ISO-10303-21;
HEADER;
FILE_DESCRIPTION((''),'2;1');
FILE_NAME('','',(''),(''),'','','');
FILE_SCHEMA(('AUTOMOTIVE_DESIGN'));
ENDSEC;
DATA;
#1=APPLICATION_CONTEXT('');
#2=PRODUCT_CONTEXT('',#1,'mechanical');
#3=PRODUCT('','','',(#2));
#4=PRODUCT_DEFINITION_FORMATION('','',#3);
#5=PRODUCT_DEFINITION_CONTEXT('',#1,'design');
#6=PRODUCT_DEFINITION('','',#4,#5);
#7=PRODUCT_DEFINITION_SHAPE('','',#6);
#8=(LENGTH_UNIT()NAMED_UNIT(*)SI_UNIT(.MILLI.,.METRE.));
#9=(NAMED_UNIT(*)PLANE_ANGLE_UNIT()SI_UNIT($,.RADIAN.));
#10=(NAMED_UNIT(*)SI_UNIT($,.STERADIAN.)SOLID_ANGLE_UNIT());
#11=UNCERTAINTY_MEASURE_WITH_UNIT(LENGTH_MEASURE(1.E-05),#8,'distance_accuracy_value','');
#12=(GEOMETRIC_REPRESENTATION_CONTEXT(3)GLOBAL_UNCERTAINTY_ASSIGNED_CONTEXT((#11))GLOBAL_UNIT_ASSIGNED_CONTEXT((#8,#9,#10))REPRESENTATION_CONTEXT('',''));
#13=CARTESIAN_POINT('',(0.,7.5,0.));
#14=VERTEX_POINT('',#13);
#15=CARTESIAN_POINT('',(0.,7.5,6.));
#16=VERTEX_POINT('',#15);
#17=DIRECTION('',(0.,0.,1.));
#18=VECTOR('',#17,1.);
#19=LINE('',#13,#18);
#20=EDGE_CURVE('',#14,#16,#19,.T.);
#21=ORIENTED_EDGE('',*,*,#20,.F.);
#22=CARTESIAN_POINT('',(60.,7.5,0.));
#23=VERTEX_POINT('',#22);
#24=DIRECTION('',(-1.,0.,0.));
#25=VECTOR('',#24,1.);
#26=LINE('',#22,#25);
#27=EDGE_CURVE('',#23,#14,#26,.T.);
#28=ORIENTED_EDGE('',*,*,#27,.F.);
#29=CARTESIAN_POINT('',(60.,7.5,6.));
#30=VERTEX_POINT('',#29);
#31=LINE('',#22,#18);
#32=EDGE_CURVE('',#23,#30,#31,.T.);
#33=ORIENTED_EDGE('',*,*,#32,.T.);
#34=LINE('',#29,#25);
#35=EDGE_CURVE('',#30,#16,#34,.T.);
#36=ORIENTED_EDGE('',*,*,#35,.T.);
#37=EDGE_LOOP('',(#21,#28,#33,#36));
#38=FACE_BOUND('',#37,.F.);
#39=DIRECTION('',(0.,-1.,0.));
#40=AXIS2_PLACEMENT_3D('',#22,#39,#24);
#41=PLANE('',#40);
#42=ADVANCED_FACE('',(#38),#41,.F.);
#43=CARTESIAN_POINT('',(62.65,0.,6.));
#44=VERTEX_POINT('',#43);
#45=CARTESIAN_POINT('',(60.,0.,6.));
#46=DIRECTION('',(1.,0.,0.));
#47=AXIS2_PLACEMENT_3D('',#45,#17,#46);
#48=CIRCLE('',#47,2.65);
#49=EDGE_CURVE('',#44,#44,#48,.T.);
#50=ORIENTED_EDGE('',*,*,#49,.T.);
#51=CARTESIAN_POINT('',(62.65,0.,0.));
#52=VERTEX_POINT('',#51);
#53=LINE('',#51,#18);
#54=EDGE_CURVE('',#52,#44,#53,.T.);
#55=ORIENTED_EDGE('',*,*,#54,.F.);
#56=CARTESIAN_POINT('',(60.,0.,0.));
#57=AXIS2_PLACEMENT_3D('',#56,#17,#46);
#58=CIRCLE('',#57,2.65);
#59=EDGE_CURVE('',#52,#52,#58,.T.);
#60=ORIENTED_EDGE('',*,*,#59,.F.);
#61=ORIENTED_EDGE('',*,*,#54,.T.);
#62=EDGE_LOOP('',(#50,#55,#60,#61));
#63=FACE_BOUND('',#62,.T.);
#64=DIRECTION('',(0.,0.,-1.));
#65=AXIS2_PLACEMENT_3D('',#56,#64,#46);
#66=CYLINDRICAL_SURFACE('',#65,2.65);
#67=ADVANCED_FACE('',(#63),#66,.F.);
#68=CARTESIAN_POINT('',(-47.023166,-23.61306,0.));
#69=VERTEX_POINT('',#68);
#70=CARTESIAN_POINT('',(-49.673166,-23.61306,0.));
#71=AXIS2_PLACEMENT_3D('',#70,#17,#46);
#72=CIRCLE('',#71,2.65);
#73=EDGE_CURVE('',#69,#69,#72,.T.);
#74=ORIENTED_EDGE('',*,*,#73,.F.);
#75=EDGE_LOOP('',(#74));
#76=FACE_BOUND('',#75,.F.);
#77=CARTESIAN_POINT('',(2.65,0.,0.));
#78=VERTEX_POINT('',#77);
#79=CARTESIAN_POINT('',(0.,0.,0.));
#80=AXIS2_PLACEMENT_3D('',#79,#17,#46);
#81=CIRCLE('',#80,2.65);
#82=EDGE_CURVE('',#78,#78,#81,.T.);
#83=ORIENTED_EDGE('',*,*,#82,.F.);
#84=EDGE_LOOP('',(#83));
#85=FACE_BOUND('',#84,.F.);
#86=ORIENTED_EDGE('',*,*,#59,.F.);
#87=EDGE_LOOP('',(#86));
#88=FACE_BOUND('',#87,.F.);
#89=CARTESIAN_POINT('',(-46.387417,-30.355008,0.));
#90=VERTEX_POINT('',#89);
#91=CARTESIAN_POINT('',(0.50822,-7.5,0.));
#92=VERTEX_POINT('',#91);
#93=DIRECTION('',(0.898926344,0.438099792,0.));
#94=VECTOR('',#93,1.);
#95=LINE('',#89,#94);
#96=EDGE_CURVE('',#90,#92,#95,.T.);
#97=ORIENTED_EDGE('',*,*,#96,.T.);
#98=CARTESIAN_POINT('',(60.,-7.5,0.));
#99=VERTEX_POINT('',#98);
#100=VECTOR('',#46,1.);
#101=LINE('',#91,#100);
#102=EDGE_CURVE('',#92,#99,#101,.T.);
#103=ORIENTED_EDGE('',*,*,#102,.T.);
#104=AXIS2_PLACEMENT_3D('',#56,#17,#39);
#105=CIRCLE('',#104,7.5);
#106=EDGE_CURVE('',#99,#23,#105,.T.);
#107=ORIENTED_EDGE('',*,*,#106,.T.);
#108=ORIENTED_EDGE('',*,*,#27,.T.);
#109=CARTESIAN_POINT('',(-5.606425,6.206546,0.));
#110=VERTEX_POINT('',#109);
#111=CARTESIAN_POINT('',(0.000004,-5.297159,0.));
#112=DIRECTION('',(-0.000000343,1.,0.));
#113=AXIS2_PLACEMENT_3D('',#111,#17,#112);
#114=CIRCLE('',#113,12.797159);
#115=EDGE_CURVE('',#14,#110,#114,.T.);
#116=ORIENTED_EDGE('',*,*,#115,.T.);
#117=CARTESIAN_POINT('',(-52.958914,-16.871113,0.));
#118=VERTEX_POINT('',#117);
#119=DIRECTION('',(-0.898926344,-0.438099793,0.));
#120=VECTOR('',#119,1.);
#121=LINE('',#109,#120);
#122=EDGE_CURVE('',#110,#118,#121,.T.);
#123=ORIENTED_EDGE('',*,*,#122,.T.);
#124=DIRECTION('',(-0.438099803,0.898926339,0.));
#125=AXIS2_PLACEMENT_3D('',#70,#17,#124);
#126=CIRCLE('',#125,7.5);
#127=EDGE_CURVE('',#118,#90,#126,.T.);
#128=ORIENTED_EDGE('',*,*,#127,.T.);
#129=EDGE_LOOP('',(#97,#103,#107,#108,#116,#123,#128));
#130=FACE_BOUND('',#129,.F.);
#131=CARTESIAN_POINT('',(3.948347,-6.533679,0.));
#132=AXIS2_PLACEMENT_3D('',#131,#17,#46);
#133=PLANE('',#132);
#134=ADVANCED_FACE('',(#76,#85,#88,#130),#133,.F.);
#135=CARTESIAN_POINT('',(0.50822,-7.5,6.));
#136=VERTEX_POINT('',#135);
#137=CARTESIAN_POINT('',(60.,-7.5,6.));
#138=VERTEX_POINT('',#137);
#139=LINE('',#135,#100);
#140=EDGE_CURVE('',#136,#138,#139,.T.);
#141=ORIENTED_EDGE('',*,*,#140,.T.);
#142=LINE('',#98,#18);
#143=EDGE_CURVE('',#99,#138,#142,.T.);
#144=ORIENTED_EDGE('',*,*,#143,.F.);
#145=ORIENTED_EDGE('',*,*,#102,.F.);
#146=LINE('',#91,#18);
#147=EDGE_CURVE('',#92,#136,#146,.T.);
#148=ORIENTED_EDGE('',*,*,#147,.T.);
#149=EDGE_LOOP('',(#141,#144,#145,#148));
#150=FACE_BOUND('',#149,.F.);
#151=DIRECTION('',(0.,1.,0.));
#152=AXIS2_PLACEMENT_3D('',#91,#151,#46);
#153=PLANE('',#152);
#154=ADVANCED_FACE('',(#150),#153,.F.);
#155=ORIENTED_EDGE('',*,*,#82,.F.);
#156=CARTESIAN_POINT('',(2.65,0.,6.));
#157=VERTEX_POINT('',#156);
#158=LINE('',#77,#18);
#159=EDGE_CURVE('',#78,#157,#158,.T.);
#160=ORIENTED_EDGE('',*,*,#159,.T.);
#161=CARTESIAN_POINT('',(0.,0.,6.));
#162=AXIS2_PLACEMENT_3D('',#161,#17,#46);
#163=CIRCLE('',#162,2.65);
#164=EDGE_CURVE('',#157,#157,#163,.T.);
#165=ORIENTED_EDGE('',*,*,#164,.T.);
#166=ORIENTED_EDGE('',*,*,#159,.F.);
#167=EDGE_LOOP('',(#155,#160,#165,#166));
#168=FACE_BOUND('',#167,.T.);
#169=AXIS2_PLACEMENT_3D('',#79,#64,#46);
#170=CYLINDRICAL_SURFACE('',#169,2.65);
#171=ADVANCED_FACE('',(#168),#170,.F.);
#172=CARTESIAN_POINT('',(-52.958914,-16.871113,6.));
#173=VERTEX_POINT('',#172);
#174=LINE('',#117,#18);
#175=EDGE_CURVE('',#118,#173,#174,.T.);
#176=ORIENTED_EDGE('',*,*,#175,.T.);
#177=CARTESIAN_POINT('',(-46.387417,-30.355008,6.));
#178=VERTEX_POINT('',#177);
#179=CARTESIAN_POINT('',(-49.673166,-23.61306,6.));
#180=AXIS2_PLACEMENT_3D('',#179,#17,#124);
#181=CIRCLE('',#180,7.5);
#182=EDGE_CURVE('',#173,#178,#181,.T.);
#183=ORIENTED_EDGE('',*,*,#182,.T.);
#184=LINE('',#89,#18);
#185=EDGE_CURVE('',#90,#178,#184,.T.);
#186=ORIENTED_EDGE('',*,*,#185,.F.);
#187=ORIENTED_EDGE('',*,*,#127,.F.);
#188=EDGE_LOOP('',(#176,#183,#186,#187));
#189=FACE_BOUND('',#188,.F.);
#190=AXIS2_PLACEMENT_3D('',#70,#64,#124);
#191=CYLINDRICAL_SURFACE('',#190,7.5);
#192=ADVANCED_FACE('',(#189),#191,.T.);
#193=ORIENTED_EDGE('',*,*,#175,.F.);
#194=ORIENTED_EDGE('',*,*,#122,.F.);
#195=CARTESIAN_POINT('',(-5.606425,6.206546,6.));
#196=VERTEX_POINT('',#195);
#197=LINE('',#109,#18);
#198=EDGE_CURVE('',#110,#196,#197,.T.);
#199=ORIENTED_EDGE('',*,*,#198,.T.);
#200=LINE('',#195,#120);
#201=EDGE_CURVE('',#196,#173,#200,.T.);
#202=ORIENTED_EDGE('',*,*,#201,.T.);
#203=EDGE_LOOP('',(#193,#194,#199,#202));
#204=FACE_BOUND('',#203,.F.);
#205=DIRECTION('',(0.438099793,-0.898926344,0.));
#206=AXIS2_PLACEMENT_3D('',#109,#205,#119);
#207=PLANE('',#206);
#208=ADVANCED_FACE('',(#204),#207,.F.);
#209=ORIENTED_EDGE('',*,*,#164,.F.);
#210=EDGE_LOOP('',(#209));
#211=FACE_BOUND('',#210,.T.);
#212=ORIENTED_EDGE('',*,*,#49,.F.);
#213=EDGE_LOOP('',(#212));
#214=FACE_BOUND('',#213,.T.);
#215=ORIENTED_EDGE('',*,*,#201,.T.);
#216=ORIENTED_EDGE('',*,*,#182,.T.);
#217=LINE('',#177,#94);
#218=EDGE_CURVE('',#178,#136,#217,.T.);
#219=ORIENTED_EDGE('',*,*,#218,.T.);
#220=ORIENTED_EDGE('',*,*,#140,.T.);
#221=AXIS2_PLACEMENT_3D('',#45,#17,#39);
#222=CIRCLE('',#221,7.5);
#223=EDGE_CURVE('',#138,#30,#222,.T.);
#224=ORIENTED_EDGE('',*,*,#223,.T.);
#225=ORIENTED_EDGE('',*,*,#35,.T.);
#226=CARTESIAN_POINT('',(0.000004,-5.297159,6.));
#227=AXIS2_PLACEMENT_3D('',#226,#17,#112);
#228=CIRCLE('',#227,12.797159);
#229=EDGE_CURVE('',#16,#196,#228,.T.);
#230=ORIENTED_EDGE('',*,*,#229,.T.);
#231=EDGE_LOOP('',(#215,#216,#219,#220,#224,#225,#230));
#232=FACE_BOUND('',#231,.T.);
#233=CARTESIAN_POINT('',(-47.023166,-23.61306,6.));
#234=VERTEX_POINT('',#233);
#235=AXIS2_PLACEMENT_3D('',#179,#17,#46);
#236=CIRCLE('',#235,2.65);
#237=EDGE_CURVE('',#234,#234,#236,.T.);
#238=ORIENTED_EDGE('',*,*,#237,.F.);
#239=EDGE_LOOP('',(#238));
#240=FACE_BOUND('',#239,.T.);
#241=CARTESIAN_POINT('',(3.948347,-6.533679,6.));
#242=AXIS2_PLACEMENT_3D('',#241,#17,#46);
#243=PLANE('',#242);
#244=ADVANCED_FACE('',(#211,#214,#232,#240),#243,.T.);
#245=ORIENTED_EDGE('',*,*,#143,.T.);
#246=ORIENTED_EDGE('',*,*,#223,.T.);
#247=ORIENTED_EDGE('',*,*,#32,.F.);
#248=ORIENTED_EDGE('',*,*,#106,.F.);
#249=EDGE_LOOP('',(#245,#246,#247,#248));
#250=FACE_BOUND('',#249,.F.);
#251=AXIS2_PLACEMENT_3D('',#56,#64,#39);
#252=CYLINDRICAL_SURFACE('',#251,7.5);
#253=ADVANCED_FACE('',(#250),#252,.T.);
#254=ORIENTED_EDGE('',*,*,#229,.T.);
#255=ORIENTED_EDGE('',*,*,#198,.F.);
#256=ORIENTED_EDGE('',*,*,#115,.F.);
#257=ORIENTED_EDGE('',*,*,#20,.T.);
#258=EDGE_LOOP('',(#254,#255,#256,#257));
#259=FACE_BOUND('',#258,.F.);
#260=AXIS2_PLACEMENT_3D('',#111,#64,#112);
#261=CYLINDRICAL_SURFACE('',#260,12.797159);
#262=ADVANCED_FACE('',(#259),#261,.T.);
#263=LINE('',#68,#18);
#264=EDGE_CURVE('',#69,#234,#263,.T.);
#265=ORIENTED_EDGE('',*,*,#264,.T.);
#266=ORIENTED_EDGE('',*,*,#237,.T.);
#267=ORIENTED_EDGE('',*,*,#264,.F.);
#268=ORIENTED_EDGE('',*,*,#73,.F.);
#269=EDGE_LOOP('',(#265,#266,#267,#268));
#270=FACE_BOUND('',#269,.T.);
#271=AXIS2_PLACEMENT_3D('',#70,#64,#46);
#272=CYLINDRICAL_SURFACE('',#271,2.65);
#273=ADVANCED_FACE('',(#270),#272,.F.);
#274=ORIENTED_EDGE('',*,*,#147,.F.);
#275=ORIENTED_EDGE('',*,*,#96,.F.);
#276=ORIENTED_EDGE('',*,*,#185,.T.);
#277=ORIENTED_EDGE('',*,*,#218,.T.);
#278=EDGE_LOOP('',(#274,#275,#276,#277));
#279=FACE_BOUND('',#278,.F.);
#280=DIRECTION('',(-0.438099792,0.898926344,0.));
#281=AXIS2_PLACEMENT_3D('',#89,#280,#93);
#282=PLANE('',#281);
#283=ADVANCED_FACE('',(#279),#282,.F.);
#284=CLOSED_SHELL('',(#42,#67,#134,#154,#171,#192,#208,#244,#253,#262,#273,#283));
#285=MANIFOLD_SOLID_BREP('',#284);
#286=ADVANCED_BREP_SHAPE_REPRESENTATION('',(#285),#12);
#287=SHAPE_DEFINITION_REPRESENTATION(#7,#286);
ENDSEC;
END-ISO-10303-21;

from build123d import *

# Parameters (mm, degrees)
F0_R     = 2.65
F1_DEPTH = 6


with BuildPart() as f1:
    # F0 (on Top) → F1 (new body)
    with BuildSketch(Plane.XY):
        with BuildLine():
            Line((0.50822, -7.5), (60, -7.5))
            ThreePointArc((60, -7.5), (67.5, 0), (60, 7.5))
            Line((60, 7.5), (0, 7.5))
            ThreePointArc((0, 7.5), (-2.876848, 7.172444), (-5.606425, 6.206546))
            Line((-5.606425, 6.206546), (-52.958914, -16.871113))
            ThreePointArc((-52.958914, -16.871113), (-56.415113, -26.898809), (-46.387417, -30.355008))
            Line((-46.387417, -30.355008), (0.50822, -7.5))
        make_face()
        with Locations((-49.673166, -23.61306)):
            Circle(F0_R, mode=Mode.SUBTRACT)
        Circle(F0_R, mode=Mode.SUBTRACT)
        with Locations((60, 0)):
            Circle(F0_R, mode=Mode.SUBTRACT)
    extrude(amount=F1_DEPTH)


solid = f1.part
